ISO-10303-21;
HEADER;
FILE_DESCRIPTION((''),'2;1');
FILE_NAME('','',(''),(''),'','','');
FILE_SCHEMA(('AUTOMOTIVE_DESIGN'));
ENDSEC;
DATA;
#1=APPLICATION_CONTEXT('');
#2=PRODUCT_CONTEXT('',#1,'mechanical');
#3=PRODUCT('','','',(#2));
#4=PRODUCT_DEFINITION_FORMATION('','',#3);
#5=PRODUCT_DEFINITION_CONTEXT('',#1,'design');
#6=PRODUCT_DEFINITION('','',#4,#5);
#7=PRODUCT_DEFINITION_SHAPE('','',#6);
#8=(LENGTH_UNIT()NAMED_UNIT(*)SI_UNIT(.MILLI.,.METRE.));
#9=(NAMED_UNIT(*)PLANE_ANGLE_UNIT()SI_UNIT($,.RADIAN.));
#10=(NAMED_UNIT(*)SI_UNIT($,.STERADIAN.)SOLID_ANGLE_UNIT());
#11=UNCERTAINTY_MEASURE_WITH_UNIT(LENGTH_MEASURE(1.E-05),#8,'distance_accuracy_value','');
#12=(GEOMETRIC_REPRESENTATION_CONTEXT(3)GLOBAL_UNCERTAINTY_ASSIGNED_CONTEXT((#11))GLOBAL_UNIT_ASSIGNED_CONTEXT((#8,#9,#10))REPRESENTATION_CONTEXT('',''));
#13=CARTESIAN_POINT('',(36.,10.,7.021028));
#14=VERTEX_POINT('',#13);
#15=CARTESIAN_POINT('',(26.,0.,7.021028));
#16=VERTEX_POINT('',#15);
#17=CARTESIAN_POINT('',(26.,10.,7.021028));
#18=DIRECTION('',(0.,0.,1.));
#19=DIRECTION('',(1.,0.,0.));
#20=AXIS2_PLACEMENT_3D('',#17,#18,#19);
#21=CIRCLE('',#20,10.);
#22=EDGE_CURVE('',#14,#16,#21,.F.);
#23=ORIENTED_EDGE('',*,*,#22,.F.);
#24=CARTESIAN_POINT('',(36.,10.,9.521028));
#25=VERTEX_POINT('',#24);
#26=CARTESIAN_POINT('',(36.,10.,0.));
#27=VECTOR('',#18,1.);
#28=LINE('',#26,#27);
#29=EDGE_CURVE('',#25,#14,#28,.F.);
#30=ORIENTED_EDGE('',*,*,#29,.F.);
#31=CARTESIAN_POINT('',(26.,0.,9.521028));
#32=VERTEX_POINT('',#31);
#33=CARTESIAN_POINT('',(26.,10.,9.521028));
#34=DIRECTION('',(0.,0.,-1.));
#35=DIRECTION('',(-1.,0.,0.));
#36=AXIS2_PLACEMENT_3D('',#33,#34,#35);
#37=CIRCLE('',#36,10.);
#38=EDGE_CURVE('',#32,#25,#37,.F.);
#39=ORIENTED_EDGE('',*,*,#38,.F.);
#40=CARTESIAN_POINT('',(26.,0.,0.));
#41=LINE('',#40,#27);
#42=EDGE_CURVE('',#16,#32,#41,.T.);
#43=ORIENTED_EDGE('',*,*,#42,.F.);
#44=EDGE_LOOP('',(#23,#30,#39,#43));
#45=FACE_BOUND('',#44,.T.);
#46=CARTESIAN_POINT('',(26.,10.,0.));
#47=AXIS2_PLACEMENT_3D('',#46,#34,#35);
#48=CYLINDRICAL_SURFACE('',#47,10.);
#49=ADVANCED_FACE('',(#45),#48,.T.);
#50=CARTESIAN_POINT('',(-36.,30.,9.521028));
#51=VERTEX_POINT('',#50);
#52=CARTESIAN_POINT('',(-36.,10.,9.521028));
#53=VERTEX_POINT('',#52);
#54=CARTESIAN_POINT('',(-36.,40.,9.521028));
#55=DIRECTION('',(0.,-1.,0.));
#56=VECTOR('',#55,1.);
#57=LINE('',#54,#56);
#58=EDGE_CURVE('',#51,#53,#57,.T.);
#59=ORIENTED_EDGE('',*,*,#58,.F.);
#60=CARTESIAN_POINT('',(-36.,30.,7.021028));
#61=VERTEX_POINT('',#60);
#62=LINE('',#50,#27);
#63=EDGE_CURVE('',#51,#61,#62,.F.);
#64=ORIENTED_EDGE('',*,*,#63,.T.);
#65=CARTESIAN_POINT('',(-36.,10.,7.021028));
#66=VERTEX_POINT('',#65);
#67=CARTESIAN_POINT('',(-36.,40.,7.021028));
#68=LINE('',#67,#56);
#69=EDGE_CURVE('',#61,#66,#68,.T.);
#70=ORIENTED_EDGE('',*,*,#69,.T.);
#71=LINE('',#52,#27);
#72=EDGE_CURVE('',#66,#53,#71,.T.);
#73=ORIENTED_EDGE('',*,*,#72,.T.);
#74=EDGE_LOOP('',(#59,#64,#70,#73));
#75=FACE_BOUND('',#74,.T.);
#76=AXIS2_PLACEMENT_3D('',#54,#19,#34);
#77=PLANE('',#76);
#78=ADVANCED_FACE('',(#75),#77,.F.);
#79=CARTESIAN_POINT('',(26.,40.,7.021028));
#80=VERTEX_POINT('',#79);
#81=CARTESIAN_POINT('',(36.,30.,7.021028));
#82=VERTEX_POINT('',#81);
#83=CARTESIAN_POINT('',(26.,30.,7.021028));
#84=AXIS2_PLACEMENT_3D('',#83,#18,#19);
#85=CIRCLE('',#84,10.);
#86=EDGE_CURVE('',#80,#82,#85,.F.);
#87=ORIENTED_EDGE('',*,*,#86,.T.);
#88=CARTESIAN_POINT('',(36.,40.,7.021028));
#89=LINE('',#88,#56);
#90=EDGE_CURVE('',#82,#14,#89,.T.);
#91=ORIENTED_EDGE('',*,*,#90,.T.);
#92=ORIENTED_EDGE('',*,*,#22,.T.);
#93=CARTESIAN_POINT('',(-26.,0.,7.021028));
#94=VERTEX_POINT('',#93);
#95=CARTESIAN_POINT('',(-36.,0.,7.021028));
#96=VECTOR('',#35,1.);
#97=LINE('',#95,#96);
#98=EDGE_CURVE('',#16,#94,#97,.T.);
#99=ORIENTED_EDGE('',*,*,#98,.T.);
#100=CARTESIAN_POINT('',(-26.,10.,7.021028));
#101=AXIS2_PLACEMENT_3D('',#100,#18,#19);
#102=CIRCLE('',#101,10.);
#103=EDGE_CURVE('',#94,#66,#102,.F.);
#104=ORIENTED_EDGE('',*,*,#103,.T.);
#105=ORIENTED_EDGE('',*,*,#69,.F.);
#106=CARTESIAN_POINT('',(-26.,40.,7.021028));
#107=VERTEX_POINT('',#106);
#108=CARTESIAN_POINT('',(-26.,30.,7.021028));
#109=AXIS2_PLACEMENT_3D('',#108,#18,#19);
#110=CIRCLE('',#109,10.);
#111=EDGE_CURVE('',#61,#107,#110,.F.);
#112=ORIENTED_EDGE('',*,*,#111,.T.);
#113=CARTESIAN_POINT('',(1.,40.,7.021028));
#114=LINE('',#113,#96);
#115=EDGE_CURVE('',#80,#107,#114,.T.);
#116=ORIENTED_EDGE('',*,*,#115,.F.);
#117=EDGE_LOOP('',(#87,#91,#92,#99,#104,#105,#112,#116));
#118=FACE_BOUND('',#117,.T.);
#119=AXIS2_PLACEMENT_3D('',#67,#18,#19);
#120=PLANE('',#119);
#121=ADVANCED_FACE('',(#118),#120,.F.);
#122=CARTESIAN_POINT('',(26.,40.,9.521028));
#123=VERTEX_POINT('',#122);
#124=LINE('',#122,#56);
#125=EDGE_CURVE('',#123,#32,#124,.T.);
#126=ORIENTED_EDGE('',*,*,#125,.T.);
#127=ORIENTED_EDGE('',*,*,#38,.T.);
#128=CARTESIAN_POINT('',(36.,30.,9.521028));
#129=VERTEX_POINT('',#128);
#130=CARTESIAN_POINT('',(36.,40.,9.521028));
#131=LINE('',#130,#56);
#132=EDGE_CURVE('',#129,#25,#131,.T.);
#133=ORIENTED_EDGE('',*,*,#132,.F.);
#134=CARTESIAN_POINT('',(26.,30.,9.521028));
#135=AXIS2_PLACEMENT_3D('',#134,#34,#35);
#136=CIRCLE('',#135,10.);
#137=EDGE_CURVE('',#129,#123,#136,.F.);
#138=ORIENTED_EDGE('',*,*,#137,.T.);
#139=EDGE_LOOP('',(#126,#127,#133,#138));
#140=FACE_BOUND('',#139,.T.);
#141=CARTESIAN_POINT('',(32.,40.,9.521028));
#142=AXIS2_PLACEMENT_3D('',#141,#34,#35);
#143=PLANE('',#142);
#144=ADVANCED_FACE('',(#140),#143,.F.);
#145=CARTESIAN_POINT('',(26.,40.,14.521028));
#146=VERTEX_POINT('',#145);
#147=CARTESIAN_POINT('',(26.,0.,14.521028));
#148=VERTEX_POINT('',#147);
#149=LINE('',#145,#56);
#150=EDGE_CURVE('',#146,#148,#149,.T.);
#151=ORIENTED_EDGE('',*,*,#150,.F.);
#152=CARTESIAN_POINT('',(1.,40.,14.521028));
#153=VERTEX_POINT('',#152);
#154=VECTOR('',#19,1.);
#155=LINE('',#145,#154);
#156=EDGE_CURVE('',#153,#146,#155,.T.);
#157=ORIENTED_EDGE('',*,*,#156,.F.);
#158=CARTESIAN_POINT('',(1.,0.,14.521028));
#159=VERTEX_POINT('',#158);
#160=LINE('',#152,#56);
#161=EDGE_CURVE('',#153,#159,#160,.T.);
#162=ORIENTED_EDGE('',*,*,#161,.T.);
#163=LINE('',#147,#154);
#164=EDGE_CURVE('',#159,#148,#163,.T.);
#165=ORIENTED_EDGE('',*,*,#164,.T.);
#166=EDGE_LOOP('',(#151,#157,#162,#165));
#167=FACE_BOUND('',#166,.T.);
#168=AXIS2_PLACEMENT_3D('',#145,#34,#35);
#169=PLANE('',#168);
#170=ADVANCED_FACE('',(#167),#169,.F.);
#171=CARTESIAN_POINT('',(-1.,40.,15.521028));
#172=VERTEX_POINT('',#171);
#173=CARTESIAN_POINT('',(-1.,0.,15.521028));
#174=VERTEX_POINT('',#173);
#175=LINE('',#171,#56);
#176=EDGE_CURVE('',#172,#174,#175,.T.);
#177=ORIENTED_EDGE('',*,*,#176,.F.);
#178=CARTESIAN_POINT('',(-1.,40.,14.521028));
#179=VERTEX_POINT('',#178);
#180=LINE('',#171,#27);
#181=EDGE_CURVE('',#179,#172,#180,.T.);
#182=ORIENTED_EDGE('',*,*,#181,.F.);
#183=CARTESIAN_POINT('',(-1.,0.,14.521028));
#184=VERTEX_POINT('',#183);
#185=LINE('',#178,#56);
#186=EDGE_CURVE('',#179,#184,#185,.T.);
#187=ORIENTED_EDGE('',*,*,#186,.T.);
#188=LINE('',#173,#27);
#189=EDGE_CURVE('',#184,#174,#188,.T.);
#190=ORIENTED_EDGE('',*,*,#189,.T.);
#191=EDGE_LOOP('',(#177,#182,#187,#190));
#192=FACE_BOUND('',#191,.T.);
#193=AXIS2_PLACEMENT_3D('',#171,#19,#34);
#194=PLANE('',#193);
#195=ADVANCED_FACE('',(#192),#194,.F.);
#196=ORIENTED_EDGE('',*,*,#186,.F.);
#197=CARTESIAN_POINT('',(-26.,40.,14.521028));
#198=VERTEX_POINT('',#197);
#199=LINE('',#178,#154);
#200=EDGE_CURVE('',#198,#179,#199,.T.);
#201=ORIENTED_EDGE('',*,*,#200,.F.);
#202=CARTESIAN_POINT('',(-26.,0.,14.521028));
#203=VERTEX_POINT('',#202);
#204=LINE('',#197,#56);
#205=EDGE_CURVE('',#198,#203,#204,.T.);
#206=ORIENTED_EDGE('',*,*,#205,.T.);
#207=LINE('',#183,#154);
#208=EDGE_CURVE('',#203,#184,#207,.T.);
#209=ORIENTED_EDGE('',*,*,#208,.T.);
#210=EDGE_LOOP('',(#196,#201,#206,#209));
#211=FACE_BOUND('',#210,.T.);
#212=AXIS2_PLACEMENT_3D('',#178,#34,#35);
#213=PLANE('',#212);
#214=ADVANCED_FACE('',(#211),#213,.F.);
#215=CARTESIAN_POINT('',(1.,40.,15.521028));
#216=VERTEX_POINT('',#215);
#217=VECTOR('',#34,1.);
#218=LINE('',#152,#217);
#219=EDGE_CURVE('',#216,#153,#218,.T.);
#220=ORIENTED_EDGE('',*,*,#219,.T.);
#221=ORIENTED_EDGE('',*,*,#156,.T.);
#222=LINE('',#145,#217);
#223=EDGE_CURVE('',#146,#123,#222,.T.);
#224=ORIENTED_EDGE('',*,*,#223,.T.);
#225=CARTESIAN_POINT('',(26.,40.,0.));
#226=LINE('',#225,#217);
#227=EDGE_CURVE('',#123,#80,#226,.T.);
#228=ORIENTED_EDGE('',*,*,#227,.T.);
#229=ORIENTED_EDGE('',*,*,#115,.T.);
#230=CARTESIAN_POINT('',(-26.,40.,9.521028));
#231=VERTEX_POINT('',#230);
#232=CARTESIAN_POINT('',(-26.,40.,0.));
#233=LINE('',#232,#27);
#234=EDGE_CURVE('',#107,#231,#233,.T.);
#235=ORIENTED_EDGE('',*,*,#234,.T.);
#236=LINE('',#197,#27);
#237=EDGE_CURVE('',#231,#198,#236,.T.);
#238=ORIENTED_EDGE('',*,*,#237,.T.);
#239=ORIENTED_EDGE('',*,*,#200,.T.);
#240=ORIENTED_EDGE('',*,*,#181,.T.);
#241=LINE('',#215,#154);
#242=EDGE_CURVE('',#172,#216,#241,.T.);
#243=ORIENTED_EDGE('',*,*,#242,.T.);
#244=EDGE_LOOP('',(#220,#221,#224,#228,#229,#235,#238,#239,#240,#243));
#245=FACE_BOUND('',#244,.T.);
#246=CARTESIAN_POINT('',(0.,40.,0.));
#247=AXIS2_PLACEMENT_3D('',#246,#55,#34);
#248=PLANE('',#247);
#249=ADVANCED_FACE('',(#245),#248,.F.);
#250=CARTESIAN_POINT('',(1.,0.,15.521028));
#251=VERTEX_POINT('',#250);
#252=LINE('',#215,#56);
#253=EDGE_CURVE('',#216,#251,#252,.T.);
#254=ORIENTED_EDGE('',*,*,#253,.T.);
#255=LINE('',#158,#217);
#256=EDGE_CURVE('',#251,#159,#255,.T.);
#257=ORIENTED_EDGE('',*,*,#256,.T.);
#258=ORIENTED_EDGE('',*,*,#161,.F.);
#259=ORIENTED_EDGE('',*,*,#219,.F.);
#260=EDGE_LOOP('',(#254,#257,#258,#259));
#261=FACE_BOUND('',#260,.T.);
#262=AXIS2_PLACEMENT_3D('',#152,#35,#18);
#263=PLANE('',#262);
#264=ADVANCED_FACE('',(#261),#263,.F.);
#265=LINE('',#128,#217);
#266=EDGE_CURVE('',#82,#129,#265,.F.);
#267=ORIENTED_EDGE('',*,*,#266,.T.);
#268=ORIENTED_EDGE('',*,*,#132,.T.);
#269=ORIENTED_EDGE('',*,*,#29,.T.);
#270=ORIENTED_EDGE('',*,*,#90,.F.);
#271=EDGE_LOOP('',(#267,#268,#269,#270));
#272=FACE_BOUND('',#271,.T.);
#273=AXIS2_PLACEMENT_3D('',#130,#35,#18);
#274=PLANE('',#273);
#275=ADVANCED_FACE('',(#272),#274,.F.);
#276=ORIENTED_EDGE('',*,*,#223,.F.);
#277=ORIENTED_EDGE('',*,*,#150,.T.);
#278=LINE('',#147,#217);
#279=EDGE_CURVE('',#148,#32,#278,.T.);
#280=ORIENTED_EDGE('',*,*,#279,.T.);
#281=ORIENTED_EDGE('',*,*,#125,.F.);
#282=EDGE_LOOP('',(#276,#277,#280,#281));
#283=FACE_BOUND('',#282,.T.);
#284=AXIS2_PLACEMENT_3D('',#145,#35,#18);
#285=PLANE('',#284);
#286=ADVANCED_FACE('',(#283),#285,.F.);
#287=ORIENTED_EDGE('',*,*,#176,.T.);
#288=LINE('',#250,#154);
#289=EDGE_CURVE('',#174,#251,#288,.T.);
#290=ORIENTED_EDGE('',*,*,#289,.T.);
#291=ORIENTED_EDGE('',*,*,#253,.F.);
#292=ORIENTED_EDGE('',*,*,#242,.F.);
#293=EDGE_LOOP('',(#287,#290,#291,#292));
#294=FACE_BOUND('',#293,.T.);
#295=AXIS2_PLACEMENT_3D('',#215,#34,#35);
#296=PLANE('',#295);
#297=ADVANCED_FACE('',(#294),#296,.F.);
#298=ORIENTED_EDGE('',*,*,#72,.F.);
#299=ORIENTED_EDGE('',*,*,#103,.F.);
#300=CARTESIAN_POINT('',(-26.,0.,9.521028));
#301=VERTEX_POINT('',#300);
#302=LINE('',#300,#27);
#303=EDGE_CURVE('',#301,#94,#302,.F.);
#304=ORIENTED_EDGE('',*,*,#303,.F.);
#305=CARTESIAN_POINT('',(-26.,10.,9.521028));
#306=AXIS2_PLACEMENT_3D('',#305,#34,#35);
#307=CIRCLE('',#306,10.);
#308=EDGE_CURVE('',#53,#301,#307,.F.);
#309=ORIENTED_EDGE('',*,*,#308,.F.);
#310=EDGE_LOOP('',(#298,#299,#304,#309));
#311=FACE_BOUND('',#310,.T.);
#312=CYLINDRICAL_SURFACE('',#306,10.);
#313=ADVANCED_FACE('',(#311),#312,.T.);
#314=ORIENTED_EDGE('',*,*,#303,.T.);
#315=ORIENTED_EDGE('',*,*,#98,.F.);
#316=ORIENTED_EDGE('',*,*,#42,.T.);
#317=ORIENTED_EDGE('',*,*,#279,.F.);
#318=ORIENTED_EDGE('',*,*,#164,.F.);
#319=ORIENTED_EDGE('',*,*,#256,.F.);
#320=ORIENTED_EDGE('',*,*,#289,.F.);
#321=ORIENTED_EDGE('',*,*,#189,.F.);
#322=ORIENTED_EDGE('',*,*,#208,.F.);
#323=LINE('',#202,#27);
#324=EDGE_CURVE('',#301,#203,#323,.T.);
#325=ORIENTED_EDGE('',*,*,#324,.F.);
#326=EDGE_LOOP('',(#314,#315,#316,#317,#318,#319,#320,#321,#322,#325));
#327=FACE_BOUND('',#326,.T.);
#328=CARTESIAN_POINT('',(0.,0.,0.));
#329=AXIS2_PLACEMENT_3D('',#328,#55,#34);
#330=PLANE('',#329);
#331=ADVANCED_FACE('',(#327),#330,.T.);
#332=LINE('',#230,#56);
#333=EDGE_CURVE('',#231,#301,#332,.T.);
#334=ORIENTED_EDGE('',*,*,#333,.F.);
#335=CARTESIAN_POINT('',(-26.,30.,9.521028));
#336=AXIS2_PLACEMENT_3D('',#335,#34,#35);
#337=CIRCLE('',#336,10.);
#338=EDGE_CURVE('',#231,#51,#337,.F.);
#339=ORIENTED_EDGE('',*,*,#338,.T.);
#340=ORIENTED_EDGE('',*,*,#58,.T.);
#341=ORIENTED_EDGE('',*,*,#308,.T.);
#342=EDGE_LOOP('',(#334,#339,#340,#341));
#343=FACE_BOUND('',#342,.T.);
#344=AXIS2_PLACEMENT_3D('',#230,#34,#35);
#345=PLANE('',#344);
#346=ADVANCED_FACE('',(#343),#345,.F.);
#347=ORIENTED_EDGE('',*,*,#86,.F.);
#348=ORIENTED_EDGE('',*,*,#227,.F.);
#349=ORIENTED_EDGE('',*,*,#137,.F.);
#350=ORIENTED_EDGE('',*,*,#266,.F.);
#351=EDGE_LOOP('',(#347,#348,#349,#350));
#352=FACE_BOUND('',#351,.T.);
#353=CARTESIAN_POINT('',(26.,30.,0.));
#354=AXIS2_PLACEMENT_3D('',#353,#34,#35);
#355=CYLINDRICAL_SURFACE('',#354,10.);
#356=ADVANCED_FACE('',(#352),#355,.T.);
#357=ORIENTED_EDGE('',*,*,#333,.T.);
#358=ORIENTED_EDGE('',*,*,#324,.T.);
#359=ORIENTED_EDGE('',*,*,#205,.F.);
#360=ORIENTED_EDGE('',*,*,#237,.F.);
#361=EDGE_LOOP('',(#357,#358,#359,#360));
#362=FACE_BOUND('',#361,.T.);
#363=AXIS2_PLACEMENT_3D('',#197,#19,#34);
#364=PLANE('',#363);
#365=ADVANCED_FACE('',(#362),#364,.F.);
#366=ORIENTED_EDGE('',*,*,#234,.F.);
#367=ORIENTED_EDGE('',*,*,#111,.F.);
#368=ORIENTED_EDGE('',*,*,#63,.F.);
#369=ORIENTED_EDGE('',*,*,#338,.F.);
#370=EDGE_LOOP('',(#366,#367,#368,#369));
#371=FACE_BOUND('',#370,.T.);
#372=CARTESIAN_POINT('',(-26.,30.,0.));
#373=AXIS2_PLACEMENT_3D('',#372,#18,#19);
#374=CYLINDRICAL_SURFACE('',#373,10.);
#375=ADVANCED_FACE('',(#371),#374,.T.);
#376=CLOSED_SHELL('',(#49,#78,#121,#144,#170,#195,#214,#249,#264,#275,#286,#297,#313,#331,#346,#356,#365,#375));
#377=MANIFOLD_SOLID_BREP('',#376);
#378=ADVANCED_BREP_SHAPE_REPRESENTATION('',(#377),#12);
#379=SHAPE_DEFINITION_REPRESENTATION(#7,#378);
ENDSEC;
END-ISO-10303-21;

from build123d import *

# Parameters (mm, degrees)
EXTRUDE_1_DEPTH = 40
FILLET_3_R      = 10
FILLET_6_R      = 10
FILLET_7_R      = 10
FILLET_8_R      = 10


with BuildPart() as part:
    # Эскиз1 → Бобышка-Вытянуть1 (new body)
    with BuildSketch(Plane(origin=(0, 0, 0), x_dir=(1, 0, 0), z_dir=(0, 1, 0))):
        Polygon((-26, -14.521028037), (-26, -9.521028037), (-32, -9.521028037), (-36, -9.521028037), (-36, -7.021028037), (-1, -7.021028037), (1, -7.021028037), (36, -7.021028037), (36, -9.521028037), (32, -9.521028037), (26, -9.521028037), (26, -14.521028037), (1, -14.521028037), (1, -15.521028037), (-1, -15.521028037), (-1, -14.521028037), align=None)
    extrude(amount=EXTRUDE_1_DEPTH)

    # Скругление3
    fillet_3_edges = [part.edges().sort_by_distance(p)[0] for p in [
        (-36, 40, 8.271028037),
    ]]
    fillet(fillet_3_edges, radius=FILLET_3_R)

    # Скругление6
    fillet_6_edges = [part.edges().sort_by_distance(p)[0] for p in [
        (-36, 0, 8.271028037),
    ]]
    fillet(fillet_6_edges, radius=FILLET_6_R)

    # Скругление7
    fillet_7_edges = [part.edges().sort_by_distance(p)[0] for p in [
        (36, 40, 8.271028037),
    ]]
    fillet(fillet_7_edges, radius=FILLET_7_R)

    # Скругление8
    fillet_8_edges = [part.edges().sort_by_distance(p)[0] for p in [
        (36, 0, 8.271028037),
    ]]
    fillet(fillet_8_edges, radius=FILLET_8_R)


solid = part.part
